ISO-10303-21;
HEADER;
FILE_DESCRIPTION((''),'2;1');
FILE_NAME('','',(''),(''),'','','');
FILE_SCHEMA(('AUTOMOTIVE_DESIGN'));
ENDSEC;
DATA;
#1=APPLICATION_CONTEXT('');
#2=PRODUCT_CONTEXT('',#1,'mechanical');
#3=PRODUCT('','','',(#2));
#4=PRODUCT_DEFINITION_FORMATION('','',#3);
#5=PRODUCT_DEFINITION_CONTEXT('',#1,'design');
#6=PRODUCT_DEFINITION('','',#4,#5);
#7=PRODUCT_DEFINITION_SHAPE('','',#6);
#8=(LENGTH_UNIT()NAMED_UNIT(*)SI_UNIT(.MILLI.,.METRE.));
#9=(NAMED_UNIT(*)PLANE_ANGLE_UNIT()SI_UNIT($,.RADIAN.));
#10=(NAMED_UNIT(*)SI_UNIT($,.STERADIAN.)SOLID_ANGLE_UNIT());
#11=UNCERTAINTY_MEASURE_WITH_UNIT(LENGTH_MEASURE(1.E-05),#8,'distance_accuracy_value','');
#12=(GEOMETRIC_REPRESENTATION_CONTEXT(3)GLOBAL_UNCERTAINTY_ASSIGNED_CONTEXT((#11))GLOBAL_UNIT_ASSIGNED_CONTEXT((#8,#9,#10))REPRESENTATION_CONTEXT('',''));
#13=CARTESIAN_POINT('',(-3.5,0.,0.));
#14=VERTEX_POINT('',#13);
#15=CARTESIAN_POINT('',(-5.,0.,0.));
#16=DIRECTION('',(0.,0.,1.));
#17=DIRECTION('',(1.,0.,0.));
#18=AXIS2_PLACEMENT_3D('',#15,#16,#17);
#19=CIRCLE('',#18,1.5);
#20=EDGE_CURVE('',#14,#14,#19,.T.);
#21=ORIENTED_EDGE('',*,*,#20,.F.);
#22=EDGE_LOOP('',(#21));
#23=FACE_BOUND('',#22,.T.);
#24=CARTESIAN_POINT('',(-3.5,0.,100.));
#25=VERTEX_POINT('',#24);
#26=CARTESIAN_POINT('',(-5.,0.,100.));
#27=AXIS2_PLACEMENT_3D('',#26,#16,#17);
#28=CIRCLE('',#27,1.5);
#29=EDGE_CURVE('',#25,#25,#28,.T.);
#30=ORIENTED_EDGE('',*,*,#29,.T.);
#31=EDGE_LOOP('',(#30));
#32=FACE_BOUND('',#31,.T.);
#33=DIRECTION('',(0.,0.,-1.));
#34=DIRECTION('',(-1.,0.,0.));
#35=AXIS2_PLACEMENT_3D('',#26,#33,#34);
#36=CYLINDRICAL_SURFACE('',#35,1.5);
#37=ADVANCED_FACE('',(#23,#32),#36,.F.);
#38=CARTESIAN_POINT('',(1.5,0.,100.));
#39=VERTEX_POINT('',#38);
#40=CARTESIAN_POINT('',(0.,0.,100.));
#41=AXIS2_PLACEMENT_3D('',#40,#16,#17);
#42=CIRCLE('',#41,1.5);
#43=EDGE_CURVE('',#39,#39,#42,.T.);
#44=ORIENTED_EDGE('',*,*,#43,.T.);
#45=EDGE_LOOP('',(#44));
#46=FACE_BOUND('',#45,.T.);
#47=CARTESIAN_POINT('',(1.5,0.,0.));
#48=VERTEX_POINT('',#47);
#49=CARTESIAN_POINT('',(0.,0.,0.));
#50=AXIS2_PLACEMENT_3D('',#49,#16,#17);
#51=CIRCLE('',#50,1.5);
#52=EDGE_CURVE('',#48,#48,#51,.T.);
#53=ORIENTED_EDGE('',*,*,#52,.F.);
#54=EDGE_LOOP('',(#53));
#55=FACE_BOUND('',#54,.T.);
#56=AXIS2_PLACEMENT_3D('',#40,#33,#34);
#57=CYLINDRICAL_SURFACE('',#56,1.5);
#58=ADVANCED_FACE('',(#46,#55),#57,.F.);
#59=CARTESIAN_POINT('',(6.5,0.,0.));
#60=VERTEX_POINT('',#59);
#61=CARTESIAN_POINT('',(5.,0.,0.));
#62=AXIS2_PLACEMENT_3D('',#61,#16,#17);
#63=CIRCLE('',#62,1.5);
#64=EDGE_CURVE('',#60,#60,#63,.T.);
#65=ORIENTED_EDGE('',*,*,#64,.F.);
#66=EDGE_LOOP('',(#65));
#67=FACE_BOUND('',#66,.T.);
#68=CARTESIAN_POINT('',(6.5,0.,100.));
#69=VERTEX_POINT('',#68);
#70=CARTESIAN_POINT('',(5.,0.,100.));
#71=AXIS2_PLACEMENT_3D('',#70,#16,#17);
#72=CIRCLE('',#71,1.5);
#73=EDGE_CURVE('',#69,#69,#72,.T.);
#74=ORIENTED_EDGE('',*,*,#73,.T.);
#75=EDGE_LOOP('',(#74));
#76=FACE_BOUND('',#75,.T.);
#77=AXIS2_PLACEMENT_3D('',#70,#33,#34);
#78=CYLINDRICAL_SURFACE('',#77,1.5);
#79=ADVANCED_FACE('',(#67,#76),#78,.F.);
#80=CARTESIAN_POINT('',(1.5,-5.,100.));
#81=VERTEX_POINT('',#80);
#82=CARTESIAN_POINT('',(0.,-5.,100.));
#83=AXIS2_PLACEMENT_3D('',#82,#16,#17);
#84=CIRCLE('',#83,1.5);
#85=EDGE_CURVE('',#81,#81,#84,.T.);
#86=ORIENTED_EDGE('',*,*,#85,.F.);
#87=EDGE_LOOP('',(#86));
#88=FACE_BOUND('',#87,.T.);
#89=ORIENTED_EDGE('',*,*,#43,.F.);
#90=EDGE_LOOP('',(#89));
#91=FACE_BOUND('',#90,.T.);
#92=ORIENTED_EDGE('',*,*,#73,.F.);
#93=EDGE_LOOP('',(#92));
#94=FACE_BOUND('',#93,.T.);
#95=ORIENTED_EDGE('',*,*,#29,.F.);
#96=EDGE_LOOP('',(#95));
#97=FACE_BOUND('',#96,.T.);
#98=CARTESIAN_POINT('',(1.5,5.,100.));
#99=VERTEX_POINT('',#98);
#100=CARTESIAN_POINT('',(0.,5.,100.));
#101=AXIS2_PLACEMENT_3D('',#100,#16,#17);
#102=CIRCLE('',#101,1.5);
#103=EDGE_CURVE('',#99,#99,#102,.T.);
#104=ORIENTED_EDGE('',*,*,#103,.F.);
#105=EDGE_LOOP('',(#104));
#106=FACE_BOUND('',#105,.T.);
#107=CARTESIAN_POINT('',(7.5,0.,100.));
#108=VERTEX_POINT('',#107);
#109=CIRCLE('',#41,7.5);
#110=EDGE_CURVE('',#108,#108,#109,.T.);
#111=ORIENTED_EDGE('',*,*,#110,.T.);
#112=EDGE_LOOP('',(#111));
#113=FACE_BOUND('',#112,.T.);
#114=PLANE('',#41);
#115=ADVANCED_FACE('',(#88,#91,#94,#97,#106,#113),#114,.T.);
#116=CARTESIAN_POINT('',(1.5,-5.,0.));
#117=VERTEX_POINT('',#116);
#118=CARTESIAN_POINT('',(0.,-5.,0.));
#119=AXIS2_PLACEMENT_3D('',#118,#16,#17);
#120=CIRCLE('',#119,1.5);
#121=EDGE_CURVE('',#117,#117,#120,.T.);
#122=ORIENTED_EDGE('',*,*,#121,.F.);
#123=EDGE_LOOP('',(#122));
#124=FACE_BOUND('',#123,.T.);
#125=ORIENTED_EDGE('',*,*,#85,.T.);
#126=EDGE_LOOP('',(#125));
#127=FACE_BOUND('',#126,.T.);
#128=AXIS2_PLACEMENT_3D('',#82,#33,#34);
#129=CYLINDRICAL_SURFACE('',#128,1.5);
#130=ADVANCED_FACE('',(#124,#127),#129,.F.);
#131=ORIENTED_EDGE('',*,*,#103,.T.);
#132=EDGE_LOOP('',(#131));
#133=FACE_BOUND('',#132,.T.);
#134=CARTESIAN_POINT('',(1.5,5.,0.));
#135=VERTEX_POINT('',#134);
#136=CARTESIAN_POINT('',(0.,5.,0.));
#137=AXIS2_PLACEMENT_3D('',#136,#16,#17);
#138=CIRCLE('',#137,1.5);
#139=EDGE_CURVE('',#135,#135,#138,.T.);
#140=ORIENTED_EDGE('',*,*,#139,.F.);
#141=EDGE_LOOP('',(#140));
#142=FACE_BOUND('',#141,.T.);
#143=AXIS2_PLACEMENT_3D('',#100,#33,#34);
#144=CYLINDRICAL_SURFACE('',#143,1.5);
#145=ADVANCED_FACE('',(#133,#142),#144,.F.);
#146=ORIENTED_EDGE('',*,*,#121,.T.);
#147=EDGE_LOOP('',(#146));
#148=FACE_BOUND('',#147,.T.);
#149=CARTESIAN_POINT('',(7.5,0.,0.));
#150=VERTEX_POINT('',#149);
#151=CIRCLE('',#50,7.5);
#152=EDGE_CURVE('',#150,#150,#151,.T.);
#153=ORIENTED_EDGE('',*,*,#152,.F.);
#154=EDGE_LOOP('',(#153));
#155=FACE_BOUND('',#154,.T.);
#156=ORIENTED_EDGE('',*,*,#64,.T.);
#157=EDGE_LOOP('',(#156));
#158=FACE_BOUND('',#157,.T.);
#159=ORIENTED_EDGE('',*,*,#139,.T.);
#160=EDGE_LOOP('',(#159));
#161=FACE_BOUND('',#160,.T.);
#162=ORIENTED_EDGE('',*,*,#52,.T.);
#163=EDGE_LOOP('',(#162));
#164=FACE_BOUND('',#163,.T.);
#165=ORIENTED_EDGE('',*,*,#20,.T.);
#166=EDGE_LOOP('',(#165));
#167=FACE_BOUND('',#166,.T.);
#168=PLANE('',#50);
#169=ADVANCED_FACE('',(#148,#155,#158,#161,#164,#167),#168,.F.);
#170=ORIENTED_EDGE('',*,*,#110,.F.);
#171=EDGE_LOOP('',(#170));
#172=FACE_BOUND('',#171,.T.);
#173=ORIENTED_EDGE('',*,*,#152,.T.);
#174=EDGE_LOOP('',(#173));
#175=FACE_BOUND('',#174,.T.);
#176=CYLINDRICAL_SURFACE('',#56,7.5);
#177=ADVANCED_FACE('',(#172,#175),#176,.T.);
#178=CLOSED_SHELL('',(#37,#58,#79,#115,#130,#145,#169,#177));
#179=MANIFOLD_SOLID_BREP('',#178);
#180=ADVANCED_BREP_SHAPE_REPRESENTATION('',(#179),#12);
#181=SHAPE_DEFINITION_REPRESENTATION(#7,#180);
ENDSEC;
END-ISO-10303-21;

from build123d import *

# Parameters (mm, degrees)
SKETCH_1_R      = 7.5
SKETCH_1_R_2    = 1.5
EXTRUDE_1_DEPTH = 100


with BuildPart() as part:
    # 草图1 → 凸台-拉伸1 (new body)
    with BuildSketch(Plane.XY):
        Circle(SKETCH_1_R)
        Circle(SKETCH_1_R_2, mode=Mode.SUBTRACT)
        with Locations((0, 5)):
            Circle(SKETCH_1_R_2, mode=Mode.SUBTRACT)
        with Locations((5, 0)):
            Circle(SKETCH_1_R_2, mode=Mode.SUBTRACT)
        with Locations((0, -5)):
            Circle(SKETCH_1_R_2, mode=Mode.SUBTRACT)
        with Locations((-5, 0)):
            Circle(SKETCH_1_R_2, mode=Mode.SUBTRACT)
    extrude(amount=EXTRUDE_1_DEPTH)


solid = part.part
